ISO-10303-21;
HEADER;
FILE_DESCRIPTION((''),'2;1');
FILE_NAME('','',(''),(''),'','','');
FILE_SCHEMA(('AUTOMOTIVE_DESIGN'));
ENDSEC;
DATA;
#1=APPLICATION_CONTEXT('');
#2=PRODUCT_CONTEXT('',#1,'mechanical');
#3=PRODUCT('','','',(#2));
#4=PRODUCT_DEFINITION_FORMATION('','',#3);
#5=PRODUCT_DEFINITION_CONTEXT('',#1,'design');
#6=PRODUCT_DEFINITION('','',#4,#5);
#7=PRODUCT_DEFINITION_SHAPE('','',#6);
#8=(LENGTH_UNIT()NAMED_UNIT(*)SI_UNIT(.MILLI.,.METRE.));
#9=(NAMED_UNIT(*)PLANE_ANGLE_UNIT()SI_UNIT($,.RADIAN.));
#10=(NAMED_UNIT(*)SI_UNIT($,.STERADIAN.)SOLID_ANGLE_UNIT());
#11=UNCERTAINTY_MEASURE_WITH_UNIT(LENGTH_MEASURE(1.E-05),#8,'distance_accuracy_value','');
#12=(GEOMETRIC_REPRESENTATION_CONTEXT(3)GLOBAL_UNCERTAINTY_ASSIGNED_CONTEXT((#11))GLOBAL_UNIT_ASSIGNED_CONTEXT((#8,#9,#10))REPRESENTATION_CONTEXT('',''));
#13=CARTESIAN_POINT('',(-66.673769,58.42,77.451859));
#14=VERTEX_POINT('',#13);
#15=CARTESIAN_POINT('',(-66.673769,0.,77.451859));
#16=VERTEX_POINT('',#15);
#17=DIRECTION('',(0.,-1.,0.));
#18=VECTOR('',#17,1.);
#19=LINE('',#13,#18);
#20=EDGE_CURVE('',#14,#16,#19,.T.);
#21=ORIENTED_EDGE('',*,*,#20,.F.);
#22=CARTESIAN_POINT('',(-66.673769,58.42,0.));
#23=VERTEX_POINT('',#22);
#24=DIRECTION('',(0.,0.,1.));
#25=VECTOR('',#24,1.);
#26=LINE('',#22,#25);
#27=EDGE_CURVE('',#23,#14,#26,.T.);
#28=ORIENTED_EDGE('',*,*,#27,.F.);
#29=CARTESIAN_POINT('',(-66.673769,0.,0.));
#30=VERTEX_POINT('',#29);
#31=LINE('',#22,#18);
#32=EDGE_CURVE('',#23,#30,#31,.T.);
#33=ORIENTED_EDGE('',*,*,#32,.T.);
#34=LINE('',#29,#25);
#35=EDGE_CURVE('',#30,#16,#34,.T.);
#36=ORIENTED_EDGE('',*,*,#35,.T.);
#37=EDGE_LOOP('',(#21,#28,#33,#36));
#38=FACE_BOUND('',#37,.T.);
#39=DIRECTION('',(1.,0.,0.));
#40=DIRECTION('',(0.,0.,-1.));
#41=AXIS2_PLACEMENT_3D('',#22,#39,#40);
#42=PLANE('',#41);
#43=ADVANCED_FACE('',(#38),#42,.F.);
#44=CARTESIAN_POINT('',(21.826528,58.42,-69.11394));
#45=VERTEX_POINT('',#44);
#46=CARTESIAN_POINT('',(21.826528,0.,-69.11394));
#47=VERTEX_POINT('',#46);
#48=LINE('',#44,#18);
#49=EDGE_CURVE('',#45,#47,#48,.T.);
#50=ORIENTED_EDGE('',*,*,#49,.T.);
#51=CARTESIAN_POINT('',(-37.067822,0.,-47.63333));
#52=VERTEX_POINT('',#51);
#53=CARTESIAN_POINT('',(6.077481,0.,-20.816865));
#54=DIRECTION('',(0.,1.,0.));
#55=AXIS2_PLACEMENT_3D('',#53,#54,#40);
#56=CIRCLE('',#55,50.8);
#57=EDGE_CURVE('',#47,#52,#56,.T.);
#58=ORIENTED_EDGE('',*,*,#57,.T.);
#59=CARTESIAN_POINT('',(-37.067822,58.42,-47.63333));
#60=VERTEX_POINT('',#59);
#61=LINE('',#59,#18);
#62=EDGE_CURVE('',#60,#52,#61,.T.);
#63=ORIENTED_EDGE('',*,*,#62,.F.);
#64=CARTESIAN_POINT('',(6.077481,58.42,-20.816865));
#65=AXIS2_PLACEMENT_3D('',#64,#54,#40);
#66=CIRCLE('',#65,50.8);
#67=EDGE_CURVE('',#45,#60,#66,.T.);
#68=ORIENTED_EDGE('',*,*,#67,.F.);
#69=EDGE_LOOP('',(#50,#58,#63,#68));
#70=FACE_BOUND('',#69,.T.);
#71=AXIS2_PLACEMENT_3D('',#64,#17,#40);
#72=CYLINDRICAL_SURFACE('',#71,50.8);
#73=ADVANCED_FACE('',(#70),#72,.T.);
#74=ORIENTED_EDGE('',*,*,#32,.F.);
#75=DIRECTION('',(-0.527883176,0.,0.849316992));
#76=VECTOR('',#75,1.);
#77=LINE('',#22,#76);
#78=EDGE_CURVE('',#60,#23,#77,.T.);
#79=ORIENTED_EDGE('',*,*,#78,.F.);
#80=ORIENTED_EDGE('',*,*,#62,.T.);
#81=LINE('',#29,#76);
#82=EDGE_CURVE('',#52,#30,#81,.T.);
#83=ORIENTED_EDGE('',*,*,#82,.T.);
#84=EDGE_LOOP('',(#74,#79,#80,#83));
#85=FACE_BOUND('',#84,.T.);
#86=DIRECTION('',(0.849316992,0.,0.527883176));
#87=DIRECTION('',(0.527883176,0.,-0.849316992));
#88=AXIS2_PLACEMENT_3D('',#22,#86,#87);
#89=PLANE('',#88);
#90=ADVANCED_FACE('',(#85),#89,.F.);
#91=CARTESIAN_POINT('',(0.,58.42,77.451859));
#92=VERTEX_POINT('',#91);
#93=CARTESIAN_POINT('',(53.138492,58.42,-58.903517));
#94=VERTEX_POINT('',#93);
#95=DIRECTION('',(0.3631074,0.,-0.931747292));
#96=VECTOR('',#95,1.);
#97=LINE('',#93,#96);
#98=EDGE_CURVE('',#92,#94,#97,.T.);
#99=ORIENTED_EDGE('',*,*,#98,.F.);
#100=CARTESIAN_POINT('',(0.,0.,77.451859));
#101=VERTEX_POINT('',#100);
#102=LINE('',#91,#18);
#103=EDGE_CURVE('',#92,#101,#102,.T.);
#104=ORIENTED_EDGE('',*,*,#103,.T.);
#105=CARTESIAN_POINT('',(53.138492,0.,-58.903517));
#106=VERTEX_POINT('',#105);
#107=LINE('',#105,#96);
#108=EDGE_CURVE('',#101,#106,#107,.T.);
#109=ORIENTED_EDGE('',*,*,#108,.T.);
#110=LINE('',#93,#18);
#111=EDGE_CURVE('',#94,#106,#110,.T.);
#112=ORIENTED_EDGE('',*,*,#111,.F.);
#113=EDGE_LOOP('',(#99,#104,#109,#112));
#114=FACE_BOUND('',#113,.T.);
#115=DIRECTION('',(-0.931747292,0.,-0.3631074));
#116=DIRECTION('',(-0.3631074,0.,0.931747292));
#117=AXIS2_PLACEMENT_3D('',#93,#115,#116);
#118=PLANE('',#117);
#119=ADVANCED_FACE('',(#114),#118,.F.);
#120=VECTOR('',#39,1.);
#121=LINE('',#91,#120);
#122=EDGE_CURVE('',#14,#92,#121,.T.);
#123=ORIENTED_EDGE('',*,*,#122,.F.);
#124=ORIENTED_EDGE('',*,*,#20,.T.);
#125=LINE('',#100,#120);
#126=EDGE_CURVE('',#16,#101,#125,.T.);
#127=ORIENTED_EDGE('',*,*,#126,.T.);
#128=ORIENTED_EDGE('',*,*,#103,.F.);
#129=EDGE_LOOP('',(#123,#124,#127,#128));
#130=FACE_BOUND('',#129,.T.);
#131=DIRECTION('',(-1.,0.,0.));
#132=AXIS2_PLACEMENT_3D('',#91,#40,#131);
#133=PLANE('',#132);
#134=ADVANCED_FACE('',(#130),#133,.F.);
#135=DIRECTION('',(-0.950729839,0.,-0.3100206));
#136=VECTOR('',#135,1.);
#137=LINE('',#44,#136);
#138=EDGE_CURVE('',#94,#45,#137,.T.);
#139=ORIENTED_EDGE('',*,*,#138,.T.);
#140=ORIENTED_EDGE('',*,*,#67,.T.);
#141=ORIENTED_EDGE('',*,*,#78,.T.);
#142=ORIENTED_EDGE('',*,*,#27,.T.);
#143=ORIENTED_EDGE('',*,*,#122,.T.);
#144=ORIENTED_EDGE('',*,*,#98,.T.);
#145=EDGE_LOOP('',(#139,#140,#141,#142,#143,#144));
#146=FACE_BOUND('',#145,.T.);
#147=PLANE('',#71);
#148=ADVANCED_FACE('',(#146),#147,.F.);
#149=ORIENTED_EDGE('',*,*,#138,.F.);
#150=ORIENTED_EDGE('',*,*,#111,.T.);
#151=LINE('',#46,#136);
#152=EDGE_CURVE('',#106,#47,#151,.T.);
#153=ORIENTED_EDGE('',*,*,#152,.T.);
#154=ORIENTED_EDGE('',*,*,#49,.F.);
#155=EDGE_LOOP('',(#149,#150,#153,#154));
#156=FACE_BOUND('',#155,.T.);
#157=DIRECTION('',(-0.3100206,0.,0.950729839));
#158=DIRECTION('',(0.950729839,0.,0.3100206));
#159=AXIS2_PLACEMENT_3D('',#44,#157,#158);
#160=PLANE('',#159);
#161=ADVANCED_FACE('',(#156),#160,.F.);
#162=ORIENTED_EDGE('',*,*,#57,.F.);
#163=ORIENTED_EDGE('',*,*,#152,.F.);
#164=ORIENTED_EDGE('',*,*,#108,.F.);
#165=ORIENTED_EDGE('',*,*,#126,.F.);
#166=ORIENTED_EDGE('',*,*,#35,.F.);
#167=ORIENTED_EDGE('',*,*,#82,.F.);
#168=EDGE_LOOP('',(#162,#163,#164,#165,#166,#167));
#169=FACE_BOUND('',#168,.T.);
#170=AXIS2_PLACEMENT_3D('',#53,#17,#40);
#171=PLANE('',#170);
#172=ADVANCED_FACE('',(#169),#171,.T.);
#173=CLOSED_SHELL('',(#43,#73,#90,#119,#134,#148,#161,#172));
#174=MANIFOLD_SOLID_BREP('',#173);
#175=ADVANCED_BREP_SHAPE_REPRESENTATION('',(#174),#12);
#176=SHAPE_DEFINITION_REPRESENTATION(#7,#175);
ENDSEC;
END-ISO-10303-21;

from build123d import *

# Parameters (mm, degrees)
BOSS_EXTRUDE1_DEPTH = 58.42


with BuildPart() as part:
    # Sketch1 → Boss-Extrude1 (new body)
    with BuildSketch(Plane(origin=(0, 0, 0), x_dir=(1, 0, 0), z_dir=(0, 1, 0))):
        with BuildLine():
            Line((-66.673768512, 0), (-37.067821873, 47.633329988))
            ThreePointArc((-37.067821873, 47.633329988), (-11.329209284, 68.541566023), (21.82652777, 69.113940477))
            Line((21.82652777, 69.113940477), (53.138492197, 58.903517294))
            Line((53.138492197, 58.903517294), (0, -77.45185891))
            Line((0, -77.45185891), (-66.673768512, -77.45185891))
            Line((-66.673768512, -77.45185891), (-66.673768512, 0))
        make_face()
    extrude(amount=BOSS_EXTRUDE1_DEPTH)


solid = part.part
